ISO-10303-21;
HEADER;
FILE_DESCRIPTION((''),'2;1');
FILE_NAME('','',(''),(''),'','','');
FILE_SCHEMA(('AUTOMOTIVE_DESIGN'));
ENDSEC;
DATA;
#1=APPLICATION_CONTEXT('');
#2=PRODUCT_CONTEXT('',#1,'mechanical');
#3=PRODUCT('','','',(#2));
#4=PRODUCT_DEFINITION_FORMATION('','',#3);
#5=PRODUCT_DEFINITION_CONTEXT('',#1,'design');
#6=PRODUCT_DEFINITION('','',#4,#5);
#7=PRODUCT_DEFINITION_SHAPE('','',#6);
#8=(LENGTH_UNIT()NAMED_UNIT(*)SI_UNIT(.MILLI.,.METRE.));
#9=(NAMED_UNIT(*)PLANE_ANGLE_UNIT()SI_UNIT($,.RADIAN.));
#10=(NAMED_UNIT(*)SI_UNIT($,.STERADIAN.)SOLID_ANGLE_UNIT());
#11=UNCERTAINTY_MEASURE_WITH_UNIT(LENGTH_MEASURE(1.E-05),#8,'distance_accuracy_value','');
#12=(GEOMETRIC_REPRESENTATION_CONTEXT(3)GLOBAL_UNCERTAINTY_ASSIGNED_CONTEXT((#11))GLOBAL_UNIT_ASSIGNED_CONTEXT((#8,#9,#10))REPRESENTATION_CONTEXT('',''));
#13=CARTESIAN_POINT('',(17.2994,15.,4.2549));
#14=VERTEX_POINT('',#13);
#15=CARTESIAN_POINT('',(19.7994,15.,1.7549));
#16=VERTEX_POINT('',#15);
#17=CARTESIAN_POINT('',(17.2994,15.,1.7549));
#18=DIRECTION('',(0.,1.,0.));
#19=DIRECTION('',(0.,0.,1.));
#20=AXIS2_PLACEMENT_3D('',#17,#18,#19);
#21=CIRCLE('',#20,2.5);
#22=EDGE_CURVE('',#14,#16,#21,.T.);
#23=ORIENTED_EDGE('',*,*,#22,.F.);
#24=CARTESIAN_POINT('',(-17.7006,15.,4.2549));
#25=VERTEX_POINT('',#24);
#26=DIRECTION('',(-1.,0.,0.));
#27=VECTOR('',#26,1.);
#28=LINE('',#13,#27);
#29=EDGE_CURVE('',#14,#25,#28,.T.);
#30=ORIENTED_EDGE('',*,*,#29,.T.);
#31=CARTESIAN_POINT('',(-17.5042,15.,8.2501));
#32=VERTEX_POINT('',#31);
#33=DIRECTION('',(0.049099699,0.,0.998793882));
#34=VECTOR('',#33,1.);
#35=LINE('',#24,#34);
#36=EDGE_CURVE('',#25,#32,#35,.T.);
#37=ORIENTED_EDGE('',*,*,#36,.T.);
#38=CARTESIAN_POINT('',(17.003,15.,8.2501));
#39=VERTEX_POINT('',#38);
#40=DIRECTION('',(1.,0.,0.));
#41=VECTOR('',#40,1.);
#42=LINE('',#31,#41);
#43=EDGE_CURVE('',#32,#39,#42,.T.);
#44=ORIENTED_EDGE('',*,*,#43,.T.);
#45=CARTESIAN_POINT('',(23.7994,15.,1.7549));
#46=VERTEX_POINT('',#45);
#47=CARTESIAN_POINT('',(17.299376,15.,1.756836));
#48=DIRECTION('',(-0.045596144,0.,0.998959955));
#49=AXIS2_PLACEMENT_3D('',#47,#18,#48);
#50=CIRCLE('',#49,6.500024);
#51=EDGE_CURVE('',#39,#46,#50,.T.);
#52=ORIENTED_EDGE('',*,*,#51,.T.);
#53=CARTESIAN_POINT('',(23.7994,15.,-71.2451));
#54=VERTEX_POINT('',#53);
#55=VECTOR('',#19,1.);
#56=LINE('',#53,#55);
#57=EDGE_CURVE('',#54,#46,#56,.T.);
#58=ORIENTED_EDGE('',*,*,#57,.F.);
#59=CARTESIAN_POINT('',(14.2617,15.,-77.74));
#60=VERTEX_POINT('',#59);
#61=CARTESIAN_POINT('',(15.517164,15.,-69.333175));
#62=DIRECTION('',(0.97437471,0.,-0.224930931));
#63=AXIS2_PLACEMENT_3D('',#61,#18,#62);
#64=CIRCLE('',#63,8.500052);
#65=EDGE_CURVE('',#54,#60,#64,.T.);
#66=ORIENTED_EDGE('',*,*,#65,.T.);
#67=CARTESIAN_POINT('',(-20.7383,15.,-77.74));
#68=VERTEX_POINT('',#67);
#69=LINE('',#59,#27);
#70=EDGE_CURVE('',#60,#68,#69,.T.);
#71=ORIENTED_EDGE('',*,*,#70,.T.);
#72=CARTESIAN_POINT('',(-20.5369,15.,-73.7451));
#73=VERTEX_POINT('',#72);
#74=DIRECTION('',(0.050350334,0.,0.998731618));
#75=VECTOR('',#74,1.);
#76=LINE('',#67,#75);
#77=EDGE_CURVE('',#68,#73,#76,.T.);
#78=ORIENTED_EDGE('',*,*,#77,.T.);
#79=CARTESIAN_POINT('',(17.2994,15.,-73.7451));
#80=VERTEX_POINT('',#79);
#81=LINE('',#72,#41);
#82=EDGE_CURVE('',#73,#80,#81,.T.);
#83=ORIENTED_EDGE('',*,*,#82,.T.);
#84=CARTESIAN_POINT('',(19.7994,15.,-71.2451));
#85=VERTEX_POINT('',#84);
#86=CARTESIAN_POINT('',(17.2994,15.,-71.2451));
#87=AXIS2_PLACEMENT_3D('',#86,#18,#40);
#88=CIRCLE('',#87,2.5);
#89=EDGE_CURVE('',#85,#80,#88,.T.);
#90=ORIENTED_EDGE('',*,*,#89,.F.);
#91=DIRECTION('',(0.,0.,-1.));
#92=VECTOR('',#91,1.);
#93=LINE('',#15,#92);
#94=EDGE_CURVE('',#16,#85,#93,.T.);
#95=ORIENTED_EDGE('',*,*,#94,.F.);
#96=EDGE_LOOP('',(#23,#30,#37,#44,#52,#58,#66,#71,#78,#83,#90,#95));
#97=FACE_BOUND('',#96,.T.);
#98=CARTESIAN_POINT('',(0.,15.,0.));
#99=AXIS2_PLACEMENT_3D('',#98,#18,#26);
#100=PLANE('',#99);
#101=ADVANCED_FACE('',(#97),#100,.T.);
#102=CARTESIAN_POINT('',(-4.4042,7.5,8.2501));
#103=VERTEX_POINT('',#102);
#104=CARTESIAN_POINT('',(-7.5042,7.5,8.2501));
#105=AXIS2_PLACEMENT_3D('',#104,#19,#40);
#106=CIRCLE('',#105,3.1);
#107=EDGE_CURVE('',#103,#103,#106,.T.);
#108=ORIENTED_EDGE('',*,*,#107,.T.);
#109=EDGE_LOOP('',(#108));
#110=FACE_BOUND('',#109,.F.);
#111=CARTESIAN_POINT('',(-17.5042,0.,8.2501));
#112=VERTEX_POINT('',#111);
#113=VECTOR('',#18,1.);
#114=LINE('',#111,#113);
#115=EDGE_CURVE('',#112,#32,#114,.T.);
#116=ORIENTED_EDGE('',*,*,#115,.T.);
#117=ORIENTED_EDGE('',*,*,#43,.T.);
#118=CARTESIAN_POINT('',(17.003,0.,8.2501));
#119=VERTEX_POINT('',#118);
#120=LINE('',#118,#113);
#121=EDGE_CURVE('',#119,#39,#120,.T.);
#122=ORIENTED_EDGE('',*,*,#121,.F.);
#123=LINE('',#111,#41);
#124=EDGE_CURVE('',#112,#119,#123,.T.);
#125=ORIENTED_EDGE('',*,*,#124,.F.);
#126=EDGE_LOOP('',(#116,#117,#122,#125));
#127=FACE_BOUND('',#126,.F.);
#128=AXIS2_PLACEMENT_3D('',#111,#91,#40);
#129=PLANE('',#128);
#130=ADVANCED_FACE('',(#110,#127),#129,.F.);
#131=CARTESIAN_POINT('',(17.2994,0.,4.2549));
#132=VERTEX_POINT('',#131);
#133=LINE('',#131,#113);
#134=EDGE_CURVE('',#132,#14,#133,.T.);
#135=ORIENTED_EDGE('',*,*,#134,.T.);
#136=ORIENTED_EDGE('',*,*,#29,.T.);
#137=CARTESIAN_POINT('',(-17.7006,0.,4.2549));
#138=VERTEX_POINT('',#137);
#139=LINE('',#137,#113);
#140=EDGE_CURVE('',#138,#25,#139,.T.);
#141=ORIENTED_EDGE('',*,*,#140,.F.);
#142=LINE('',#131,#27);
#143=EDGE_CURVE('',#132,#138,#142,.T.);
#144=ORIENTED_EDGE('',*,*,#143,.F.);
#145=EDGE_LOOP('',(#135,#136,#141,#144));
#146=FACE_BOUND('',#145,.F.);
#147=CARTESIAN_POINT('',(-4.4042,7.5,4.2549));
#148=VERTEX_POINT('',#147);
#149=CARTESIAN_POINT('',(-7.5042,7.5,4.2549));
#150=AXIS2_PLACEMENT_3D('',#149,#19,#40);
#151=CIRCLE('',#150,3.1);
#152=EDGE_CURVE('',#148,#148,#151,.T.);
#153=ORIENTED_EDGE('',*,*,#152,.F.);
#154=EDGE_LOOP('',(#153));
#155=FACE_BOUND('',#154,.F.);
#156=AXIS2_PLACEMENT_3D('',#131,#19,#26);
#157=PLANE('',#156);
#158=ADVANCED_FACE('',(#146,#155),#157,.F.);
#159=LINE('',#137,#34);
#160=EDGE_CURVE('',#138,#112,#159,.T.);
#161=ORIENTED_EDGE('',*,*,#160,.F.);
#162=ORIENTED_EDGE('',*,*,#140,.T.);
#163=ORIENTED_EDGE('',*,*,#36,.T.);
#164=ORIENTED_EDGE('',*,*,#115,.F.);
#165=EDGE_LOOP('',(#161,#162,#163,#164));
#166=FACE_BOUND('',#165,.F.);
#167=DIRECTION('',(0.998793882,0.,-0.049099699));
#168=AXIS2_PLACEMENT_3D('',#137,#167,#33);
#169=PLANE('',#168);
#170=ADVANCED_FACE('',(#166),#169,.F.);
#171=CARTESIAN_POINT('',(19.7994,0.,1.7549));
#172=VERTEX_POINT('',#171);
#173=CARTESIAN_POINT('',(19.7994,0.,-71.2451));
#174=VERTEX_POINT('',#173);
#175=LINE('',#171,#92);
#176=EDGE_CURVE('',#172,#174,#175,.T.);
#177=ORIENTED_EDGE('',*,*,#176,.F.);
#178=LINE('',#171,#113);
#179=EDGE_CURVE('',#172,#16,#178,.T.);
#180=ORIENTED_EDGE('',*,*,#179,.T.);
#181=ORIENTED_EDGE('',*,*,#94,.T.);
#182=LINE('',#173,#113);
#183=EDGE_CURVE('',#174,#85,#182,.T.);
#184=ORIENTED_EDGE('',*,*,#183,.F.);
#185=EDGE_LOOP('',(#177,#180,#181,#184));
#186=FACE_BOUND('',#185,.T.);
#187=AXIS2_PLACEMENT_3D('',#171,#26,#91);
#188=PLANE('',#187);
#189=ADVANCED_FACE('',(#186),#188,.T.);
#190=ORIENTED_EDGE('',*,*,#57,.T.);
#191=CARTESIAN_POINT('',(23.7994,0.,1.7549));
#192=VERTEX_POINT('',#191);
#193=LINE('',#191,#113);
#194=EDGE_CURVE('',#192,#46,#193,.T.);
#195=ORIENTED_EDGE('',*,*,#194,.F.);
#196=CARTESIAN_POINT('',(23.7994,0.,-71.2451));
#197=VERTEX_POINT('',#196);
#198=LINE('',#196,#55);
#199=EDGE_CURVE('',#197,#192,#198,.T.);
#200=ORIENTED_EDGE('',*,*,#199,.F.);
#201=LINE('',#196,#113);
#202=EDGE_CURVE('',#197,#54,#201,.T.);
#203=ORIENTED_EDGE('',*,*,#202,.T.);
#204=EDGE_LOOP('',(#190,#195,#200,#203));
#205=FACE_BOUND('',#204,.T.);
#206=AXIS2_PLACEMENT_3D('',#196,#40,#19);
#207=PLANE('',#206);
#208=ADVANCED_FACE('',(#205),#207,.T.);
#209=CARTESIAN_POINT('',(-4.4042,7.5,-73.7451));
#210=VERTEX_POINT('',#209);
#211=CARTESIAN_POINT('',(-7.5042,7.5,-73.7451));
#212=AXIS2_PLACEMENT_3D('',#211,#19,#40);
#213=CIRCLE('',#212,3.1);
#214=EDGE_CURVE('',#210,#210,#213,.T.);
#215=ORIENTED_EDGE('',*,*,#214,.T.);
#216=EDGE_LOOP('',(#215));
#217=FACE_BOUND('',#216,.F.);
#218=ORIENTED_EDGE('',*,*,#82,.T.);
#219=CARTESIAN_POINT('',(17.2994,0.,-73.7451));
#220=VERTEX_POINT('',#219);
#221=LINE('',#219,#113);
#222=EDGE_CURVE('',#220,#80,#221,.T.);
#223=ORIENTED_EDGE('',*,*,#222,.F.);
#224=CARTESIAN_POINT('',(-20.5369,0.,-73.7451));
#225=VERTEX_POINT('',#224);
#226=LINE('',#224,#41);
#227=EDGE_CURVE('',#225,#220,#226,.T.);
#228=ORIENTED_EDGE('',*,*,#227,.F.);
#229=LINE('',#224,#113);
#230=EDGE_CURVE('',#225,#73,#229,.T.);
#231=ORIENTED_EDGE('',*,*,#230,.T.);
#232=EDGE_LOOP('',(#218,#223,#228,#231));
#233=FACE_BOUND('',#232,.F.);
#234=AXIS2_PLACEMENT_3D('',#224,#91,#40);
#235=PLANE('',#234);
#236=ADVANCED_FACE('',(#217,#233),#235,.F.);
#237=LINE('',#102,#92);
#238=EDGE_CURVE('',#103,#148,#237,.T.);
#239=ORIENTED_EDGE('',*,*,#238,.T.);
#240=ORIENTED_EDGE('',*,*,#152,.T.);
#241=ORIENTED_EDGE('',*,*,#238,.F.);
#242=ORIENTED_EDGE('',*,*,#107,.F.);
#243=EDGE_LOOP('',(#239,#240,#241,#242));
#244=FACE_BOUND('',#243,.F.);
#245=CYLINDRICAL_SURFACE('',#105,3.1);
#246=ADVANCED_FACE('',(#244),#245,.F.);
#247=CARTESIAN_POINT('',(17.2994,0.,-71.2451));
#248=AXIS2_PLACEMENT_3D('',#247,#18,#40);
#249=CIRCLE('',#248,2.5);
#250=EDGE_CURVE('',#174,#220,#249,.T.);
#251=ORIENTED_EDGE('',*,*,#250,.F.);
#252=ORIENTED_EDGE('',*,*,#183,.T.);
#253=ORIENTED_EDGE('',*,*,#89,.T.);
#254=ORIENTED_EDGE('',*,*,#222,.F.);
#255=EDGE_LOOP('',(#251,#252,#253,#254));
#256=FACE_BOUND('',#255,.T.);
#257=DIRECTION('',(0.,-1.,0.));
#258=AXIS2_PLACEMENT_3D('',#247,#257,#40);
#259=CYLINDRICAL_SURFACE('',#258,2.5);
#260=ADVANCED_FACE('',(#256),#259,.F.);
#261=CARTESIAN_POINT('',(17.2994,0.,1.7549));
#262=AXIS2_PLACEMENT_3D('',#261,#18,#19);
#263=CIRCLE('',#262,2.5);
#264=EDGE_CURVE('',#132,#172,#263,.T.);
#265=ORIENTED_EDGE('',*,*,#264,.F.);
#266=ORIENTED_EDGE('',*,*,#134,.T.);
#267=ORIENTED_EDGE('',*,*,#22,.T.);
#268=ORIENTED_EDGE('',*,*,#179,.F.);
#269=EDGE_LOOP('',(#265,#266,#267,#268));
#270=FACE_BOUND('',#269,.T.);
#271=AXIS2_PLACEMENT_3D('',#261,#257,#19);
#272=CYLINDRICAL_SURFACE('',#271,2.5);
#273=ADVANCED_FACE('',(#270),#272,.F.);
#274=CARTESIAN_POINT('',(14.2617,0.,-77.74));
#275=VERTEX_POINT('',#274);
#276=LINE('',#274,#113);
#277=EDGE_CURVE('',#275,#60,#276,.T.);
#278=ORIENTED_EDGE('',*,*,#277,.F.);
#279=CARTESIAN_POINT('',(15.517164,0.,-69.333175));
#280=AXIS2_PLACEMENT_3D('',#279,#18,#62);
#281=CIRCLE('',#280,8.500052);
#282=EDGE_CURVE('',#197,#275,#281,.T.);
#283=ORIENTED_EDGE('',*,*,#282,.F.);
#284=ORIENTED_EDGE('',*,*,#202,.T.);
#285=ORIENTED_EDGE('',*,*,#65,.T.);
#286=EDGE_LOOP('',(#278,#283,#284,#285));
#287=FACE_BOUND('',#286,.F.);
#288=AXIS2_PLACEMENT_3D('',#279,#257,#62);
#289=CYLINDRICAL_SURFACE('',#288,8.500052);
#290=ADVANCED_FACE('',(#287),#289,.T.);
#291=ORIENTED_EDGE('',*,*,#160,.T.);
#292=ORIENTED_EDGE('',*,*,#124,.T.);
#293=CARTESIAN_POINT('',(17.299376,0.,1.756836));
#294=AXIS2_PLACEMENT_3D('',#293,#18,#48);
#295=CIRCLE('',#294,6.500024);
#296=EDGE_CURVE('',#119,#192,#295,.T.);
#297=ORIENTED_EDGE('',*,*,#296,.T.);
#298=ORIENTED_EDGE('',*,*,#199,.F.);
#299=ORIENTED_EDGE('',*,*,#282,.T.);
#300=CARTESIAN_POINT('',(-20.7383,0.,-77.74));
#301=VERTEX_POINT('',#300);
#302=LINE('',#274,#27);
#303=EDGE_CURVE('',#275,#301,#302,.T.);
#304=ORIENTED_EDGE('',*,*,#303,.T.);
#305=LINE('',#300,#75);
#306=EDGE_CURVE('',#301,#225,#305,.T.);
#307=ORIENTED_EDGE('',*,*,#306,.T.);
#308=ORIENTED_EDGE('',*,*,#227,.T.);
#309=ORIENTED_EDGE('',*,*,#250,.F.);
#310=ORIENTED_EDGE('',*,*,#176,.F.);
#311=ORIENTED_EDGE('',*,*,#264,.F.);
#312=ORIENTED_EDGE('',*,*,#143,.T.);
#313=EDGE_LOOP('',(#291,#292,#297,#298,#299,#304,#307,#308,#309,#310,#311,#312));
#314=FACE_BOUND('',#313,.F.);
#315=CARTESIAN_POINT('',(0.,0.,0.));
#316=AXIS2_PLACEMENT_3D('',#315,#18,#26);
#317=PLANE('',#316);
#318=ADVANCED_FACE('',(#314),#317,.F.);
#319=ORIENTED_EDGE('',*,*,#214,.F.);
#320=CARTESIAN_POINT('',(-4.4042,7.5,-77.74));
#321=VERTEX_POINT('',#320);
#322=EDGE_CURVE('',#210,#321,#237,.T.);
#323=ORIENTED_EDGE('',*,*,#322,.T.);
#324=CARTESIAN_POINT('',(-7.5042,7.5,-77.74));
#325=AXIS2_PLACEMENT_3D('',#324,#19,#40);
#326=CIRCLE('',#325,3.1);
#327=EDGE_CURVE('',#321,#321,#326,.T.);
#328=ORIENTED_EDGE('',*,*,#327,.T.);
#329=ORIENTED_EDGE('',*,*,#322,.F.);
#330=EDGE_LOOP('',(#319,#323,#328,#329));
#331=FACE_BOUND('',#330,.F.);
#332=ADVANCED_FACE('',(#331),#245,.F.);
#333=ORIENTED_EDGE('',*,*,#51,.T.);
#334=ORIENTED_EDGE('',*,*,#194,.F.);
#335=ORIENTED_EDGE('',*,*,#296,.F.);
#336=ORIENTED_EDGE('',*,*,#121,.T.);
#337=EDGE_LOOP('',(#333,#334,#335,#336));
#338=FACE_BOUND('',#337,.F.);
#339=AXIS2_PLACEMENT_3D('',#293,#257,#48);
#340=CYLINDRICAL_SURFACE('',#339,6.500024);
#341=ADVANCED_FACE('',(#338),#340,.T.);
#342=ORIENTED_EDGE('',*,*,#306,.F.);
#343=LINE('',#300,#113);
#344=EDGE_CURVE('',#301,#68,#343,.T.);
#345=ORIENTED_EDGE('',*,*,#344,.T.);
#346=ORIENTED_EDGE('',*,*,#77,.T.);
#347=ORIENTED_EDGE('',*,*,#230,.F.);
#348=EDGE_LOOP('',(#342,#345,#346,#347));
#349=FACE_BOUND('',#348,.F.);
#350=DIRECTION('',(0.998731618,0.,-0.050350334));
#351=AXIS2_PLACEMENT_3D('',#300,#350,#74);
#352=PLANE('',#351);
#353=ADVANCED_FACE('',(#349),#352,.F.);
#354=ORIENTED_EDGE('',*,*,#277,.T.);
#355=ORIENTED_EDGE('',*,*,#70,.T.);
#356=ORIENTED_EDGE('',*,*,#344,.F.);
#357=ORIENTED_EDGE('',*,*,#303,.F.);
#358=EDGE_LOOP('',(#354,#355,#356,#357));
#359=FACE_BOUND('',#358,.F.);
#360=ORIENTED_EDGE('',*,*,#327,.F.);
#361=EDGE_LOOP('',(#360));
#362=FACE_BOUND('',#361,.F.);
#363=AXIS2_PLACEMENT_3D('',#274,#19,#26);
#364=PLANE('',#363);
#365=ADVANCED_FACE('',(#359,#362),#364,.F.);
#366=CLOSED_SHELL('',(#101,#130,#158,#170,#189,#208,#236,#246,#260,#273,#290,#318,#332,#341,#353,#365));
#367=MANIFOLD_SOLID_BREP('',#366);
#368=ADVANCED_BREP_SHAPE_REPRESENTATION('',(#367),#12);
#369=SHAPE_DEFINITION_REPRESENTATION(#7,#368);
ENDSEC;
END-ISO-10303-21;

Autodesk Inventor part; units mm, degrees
ref_plane "YZ Plane" through (0, 0, 0) normal (1, 0, 0) x (0, 1, 0)
ref_plane "XZ Plane" through (0, 0, 0) normal (0, 1, 0) x (-1, 0, 0)
ref_plane "XY Plane" through (0, 0, 0) normal (0, 0, 1) x (1, 0, 0)
sketch "Sketch1" plane through (0, 0, 0) normal (0, 1, 0) x (-1, 0, 0)
  line L0 (20.5369, -73.7451) -> (-17.2994, -73.7451)
  line L1 (-14.2617, -77.74) -> (20.7383, -77.74)
  line L2 (20.7383, -77.74) -> (20.5369, -73.7451)
  line L3 (17.5042, 8.2501) -> (-17.003, 8.2501)
  line L4 (-17.2994, 4.2549) -> (17.7006, 4.2549)
  line L5 (17.7006, 4.2549) -> (17.5042, 8.2501)
  line L6 (-23.7994, -71.2451) -> (-23.7994, 1.7549)
  line L7 (-19.7994, 1.7549) -> (-19.7994, -71.2451)
  arc A0 (-17.2994, 4.2549) -> (-19.7994, 1.7549) centre (-17.2994, 1.7549) ccw
  arc A1 (-17.003, 8.2501) -> (-23.7994, 1.7549) centre (-17.2994, 1.7569) ccw
  arc A2 (-19.7994, -71.2451) -> (-17.2994, -73.7451) centre (-17.2994, -71.2451) ccw
  arc A3 (-23.7994, -71.2451) -> (-14.2617, -77.74) centre (-15.5172, -69.3332) ccw
  point P0 (0, 0)
  dimension "d2" = 4
  dimension "d3" = 4
  dimension "d4" = 35
  dimension "d5" = 35
  dimension "d29" = 78
  dimension "d31" = 73
  dimension "d33" = 2.5
  dimension "d34" = 2.5
  dimension "d36" = 2.5
  dimension "d37" = 4
  dimension "d38" = 6.5
  dimension "d39" = 2.5
  dimension "d41" = 8.5
extrude "Extrusion1" add sketch "Sketch1" along normal blind 15
sketch "Sketch2" plane through (-17.5042, 0, 8.2501) normal (0, 0, 1) x (1, 0, 0)
  circle A0 centre (10, 7.5) radius 3.1
  line L0 (0, 15) -> (34.5072, 15) projected
  line L1 (0, 0) -> (0, 15) projected
  point P0 (17.5042, 0)
  dimension "d19" = 6.2
  dimension "d20" = 7.5
  dimension "d21" = 10
extrude "Extrusion2" cut sketch "Sketch2" against normal blind 120
sketch "Sketch3" plane through (12.7652, 0, -83.1298) normal (-1, 0, 0) x (0, 0, 1)
  circle A0 centre (45, 7.5) radius 3.1
  line L0 (0, 15) -> (90, 15) projected
  line L1 (-6.5, 0) -> (-6.5, 15) projected
  point P0 (83.1298, 0)
  dimension "d24" = 6.2
  dimension "d25" = 7.5
  dimension "d26" = 51.5
extrude "Extrusion3" [suppressed]
properties part number "Side bar holding bracket"
